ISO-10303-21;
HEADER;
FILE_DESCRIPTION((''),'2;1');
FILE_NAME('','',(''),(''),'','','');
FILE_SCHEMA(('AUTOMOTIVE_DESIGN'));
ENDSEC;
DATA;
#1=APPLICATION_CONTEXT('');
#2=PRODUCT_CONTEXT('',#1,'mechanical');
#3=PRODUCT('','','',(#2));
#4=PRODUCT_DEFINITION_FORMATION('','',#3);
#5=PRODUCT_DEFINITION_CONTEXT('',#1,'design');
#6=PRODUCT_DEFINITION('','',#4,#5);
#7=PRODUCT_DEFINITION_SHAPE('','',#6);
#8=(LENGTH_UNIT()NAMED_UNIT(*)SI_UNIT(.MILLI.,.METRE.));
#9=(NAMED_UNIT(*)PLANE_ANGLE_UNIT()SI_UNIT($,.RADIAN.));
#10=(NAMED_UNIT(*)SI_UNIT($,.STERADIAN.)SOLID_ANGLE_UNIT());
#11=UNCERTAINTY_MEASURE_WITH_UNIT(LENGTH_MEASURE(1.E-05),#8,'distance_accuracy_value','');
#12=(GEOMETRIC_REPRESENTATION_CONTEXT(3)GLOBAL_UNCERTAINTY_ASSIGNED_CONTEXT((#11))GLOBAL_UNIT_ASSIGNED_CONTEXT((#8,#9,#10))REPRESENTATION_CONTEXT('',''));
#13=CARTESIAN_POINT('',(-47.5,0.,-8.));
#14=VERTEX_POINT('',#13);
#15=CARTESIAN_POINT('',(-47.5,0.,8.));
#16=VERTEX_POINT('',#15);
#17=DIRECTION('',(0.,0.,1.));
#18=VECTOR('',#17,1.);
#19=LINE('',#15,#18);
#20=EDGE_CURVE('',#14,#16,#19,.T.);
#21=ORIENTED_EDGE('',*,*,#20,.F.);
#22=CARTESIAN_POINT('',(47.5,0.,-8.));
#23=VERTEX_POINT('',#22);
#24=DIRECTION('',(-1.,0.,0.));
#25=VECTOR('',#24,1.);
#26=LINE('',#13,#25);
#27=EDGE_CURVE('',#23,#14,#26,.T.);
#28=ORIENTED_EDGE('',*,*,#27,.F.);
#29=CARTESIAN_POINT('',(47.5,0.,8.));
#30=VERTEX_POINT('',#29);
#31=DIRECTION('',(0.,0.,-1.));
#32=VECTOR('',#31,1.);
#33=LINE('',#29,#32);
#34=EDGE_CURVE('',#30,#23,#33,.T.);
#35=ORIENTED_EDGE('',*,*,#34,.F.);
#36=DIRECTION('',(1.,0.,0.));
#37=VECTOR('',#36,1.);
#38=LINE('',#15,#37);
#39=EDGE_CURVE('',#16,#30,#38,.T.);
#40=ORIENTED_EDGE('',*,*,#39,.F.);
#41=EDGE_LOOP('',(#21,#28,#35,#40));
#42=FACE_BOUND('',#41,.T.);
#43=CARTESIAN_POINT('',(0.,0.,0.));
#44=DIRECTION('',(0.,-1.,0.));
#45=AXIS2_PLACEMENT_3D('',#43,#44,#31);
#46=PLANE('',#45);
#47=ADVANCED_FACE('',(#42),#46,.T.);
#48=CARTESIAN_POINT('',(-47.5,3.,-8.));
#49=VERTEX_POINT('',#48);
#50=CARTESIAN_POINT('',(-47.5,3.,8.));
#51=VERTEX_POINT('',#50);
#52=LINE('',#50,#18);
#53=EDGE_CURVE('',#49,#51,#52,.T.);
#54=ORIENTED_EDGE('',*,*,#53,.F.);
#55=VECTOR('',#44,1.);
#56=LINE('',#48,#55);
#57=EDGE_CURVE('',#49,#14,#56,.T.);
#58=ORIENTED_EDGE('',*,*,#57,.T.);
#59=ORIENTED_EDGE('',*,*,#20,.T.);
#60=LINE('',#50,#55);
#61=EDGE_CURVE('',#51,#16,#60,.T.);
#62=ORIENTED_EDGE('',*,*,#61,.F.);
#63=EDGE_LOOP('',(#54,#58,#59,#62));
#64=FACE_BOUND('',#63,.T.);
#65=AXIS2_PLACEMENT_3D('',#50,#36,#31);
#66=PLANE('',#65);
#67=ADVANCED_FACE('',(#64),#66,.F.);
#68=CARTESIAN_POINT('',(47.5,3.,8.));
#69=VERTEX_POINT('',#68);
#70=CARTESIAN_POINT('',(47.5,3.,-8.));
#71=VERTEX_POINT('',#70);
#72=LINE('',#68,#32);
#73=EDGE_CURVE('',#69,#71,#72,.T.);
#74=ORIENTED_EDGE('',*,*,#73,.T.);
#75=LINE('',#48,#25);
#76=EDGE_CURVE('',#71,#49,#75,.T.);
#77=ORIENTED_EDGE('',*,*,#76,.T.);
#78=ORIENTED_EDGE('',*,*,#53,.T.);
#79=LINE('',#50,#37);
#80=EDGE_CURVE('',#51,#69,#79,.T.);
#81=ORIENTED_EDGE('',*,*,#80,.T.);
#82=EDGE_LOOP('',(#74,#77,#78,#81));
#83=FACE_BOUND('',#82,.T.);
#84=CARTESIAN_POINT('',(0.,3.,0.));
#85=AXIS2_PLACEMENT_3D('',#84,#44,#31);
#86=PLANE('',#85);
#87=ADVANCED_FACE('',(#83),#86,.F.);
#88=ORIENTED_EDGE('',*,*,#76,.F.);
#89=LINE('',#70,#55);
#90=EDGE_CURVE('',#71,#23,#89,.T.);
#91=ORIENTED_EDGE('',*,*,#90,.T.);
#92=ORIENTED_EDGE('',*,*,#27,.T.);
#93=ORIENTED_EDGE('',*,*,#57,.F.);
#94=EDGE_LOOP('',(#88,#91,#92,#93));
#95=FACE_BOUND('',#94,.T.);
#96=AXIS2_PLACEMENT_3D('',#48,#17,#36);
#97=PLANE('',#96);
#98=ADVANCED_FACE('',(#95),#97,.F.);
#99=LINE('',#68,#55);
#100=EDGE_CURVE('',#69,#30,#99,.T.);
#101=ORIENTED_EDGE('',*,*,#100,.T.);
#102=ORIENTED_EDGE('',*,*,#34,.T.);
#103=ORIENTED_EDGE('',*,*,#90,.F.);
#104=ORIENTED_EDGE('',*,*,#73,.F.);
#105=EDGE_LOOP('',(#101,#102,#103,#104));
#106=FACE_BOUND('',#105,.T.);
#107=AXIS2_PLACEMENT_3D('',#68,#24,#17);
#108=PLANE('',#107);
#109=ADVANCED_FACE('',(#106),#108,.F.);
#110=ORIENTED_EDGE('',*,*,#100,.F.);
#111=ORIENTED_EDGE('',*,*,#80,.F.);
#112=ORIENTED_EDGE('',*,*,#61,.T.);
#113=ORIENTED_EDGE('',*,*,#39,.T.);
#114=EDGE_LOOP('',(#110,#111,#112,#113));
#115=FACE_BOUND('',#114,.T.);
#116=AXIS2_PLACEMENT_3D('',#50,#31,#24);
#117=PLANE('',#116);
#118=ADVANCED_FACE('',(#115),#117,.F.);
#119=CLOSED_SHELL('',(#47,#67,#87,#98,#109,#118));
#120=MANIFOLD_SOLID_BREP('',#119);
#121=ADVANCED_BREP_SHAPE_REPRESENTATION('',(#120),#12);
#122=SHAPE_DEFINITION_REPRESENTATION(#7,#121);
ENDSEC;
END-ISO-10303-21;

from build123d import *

# Parameters (mm, degrees)
CROQUIS1_W              = 95
CROQUIS1_H              = 16
SALIENTE_EXTRUIR1_DEPTH = 3


with BuildPart() as part:
    # Croquis1 → Saliente-Extruir1 (new body)
    with BuildSketch(Plane(origin=(0, 0, 0), x_dir=(1, 0, 0), z_dir=(0, 1, 0))):
        Rectangle(CROQUIS1_W, CROQUIS1_H)
    extrude(amount=SALIENTE_EXTRUIR1_DEPTH)


solid = part.part
